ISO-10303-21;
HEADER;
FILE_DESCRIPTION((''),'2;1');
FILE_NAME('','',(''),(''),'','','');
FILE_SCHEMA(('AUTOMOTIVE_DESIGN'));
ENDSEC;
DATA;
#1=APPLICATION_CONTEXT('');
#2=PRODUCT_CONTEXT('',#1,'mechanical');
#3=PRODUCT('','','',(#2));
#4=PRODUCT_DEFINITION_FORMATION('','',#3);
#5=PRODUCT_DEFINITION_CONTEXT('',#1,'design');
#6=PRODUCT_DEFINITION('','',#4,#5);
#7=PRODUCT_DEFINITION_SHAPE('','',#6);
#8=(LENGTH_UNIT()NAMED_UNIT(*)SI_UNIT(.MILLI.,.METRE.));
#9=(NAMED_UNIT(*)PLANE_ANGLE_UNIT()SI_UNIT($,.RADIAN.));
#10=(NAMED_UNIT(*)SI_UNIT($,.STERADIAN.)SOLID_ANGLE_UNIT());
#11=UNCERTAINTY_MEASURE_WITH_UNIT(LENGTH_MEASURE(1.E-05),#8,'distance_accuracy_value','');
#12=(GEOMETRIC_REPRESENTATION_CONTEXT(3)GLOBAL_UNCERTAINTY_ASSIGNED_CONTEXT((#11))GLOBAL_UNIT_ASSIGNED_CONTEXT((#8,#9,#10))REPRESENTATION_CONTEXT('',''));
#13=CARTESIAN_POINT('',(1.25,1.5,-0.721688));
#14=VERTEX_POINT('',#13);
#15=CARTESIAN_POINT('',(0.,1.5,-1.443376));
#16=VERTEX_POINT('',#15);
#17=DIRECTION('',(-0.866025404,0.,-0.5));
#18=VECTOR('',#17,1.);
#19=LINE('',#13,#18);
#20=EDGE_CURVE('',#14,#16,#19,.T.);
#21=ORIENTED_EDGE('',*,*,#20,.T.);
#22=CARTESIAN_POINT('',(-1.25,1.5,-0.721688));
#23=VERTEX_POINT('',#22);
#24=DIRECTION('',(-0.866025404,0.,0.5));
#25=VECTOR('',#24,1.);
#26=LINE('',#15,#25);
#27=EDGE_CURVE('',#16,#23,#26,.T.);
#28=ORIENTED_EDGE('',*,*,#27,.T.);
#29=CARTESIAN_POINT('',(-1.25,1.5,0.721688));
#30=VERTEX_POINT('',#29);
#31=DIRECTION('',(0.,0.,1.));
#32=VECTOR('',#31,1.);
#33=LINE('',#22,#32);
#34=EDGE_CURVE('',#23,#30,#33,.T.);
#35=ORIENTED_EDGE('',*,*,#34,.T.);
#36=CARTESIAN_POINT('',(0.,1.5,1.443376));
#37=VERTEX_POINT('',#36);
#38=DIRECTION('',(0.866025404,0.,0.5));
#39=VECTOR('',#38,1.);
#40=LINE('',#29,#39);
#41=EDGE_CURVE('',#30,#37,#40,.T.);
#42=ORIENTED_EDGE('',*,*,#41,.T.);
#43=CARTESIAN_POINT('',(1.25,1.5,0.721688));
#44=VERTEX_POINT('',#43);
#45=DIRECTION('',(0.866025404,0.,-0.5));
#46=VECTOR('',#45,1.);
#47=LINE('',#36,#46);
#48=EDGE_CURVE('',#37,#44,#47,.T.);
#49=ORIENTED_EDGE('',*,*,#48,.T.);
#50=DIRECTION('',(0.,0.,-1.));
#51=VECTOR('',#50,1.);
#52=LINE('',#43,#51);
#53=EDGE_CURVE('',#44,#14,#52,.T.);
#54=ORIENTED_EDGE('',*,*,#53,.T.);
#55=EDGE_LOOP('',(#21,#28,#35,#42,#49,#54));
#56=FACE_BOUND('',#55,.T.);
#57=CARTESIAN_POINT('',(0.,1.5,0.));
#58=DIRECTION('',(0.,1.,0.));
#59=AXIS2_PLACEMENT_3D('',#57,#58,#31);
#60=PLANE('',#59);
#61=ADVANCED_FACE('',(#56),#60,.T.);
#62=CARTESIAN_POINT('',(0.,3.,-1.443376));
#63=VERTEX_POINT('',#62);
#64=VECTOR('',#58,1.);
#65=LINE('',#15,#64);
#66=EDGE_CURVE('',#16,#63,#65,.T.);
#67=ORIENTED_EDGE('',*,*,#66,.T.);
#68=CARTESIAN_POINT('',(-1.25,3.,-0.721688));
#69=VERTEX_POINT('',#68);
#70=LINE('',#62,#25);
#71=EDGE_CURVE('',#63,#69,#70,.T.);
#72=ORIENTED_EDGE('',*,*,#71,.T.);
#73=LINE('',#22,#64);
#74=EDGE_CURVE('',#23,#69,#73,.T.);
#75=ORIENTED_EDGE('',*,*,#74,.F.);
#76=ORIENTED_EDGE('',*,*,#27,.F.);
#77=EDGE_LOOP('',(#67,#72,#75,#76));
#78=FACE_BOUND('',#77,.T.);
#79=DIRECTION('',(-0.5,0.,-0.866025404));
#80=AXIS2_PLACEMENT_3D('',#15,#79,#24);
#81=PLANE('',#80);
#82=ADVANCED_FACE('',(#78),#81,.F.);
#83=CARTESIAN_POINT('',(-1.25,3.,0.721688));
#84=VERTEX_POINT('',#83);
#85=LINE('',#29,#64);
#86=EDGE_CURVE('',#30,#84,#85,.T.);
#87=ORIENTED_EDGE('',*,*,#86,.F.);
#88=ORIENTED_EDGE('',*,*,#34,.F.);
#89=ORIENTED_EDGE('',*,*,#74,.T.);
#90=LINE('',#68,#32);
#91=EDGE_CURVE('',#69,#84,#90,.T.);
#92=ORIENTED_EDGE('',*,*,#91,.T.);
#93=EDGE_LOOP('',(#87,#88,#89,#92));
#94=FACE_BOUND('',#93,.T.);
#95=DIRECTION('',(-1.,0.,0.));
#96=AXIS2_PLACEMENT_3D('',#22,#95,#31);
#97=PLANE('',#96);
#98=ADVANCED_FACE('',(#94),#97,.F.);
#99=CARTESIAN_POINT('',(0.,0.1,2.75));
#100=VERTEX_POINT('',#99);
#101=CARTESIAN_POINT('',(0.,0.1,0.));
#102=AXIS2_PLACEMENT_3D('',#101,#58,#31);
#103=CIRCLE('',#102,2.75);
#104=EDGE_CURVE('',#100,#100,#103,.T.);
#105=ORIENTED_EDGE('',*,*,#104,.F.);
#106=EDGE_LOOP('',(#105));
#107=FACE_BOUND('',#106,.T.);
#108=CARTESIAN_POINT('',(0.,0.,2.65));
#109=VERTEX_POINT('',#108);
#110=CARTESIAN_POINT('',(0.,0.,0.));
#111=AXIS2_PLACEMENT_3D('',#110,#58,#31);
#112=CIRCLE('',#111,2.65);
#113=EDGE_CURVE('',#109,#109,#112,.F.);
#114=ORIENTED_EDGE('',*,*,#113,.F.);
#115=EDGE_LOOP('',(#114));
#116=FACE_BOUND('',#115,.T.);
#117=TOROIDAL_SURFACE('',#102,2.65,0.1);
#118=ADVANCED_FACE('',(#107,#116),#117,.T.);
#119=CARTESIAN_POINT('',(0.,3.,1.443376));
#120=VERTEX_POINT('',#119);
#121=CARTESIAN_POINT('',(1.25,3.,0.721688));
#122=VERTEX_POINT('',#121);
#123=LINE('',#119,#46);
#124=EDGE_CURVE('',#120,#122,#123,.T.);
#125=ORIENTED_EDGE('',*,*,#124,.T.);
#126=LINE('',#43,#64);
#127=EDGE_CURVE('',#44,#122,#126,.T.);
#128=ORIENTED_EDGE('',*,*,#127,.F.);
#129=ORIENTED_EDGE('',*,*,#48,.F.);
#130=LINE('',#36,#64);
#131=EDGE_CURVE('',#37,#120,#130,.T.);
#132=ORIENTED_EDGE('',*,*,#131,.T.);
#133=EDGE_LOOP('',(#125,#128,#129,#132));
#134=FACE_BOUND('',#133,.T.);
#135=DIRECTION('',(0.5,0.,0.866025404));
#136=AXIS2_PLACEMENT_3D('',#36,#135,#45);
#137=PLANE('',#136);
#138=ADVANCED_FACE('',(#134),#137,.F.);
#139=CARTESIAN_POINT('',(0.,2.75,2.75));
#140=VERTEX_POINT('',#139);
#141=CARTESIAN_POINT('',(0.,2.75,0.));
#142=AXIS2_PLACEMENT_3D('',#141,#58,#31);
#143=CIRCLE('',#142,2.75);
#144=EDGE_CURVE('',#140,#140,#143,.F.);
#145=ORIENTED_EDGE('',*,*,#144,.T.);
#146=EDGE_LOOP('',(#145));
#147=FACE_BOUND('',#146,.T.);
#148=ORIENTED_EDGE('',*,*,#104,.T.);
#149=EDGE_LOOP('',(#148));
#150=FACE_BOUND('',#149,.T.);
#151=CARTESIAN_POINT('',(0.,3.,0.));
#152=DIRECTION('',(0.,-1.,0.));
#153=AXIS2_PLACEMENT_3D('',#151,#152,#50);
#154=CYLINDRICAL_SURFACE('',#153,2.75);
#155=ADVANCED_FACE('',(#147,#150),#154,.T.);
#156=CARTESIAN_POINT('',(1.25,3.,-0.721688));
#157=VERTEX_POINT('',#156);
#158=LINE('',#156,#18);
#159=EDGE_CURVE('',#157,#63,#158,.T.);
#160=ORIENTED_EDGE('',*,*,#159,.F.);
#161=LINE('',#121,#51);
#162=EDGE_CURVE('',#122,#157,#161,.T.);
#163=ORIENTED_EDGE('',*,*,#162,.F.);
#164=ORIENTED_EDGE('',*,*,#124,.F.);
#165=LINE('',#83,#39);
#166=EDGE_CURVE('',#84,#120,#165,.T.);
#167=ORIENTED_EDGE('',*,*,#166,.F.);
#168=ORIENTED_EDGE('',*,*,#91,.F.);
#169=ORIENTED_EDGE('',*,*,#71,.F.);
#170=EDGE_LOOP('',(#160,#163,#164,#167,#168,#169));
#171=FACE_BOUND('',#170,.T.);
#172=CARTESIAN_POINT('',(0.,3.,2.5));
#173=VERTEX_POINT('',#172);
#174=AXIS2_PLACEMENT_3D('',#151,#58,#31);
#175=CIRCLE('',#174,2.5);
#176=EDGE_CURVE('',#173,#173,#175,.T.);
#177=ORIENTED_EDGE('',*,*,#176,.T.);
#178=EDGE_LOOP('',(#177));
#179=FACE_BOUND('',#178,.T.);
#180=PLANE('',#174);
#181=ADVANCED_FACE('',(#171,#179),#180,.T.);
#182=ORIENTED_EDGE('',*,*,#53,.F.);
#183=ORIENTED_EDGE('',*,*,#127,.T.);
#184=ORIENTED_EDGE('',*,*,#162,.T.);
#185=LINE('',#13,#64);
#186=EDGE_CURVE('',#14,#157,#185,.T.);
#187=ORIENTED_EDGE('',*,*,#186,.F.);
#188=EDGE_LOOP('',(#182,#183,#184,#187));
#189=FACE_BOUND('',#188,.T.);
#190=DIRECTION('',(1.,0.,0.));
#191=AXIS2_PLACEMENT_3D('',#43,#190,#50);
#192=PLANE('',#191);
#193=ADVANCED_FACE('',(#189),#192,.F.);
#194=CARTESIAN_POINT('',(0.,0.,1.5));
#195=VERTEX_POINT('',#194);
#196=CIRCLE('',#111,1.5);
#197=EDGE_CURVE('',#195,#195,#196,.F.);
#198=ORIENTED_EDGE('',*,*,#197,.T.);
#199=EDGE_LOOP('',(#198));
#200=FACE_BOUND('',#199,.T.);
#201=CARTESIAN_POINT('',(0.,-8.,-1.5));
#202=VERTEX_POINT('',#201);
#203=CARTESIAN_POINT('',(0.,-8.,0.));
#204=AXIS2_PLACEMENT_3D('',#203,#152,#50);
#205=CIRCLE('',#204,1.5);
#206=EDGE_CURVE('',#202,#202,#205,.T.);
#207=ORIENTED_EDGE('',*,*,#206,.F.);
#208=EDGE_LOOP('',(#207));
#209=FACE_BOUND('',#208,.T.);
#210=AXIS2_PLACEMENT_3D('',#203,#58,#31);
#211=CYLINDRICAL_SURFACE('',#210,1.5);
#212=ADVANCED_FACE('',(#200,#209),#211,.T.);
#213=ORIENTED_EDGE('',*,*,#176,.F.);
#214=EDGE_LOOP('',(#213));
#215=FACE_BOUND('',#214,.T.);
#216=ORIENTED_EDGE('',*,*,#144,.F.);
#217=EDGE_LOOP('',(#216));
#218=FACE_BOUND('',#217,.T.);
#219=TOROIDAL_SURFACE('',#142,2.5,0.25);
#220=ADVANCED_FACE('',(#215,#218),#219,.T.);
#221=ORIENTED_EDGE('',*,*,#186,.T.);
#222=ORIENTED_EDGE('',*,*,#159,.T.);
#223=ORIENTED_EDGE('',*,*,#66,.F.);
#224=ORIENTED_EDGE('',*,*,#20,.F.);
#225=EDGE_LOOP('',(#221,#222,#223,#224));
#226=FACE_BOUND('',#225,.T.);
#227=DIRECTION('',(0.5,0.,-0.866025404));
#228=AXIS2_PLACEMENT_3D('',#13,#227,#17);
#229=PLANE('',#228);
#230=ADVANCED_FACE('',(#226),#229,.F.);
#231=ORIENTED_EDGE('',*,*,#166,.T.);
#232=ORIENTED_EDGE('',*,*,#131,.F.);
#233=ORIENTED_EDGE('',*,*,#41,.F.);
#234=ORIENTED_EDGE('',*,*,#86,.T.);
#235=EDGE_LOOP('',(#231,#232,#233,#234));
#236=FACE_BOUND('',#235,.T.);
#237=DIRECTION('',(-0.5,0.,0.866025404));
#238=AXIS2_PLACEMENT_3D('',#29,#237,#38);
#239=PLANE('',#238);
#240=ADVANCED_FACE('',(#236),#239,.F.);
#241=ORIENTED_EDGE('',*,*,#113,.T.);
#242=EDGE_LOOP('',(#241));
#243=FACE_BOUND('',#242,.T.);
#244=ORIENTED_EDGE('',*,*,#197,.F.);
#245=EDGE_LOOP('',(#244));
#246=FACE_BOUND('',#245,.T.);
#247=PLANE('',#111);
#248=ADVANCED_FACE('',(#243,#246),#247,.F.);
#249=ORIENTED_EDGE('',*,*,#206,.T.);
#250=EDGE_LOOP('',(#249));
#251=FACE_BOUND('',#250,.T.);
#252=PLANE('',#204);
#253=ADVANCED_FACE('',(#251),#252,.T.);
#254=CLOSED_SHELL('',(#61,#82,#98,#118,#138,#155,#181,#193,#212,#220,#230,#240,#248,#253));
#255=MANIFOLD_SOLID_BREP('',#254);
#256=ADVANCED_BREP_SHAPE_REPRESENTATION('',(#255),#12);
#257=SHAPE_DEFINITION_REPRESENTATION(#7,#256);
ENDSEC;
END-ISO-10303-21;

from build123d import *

# Parameters (mm, degrees)
ESBO_O1_R                = 2.75
RESSALTO_EXTRUS_O1_DEPTH = 3
CORTE_EXTRUS_O1_DEPTH    = 1.5
FILETE1_R                = 0.25
FILETE2_R                = 0.1
ESBO_O3_R                = 1.5
RESSALTO_EXTRUS_O2_DEPTH = 8


with BuildPart() as part:
    # Esboço1 → Ressalto-extrusão1 (new body)
    with BuildSketch(Plane(origin=(0, 0, 0), x_dir=(1, 0, 0), z_dir=(0, 1, 0))):
        with Locations(Location((0, 0, 0), (0, 0, 270))):
            Circle(ESBO_O1_R)
    extrude(amount=RESSALTO_EXTRUS_O1_DEPTH)

    # Esboço2 → Corte-extrusão1 (cut)
    with BuildSketch(Plane(origin=(0, 3, 0), x_dir=(1, 0, 0), z_dir=(0, 1, 0))):
        Polygon((0, 1.443375673), (-1.25, 0.721687836), (-1.25, -0.721687836), (0, -1.443375673), (1.25, -0.721687836), (1.25, 0.721687836), align=None)
    extrude(amount=-CORTE_EXTRUS_O1_DEPTH, mode=Mode.SUBTRACT)

    # Filete1
    filete1_edges = [part.edges().sort_by_distance(p)[0] for p in [
        (0, 3, -2.75),
    ]]
    fillet(filete1_edges, radius=FILETE1_R)

    # Filete2
    filete2_edges = [part.edges().sort_by_distance(p)[0] for p in [
        (0, 0, -2.75),
    ]]
    fillet(filete2_edges, radius=FILETE2_R)

    # Esboço3 → Ressalto-extrusão2 (add)
    with BuildSketch(Plane.XZ):
        with Locations(Location((0, 0, 0), (0, 0, 90))):
            Circle(ESBO_O3_R)
    extrude(amount=RESSALTO_EXTRUS_O2_DEPTH)


solid = part.part
